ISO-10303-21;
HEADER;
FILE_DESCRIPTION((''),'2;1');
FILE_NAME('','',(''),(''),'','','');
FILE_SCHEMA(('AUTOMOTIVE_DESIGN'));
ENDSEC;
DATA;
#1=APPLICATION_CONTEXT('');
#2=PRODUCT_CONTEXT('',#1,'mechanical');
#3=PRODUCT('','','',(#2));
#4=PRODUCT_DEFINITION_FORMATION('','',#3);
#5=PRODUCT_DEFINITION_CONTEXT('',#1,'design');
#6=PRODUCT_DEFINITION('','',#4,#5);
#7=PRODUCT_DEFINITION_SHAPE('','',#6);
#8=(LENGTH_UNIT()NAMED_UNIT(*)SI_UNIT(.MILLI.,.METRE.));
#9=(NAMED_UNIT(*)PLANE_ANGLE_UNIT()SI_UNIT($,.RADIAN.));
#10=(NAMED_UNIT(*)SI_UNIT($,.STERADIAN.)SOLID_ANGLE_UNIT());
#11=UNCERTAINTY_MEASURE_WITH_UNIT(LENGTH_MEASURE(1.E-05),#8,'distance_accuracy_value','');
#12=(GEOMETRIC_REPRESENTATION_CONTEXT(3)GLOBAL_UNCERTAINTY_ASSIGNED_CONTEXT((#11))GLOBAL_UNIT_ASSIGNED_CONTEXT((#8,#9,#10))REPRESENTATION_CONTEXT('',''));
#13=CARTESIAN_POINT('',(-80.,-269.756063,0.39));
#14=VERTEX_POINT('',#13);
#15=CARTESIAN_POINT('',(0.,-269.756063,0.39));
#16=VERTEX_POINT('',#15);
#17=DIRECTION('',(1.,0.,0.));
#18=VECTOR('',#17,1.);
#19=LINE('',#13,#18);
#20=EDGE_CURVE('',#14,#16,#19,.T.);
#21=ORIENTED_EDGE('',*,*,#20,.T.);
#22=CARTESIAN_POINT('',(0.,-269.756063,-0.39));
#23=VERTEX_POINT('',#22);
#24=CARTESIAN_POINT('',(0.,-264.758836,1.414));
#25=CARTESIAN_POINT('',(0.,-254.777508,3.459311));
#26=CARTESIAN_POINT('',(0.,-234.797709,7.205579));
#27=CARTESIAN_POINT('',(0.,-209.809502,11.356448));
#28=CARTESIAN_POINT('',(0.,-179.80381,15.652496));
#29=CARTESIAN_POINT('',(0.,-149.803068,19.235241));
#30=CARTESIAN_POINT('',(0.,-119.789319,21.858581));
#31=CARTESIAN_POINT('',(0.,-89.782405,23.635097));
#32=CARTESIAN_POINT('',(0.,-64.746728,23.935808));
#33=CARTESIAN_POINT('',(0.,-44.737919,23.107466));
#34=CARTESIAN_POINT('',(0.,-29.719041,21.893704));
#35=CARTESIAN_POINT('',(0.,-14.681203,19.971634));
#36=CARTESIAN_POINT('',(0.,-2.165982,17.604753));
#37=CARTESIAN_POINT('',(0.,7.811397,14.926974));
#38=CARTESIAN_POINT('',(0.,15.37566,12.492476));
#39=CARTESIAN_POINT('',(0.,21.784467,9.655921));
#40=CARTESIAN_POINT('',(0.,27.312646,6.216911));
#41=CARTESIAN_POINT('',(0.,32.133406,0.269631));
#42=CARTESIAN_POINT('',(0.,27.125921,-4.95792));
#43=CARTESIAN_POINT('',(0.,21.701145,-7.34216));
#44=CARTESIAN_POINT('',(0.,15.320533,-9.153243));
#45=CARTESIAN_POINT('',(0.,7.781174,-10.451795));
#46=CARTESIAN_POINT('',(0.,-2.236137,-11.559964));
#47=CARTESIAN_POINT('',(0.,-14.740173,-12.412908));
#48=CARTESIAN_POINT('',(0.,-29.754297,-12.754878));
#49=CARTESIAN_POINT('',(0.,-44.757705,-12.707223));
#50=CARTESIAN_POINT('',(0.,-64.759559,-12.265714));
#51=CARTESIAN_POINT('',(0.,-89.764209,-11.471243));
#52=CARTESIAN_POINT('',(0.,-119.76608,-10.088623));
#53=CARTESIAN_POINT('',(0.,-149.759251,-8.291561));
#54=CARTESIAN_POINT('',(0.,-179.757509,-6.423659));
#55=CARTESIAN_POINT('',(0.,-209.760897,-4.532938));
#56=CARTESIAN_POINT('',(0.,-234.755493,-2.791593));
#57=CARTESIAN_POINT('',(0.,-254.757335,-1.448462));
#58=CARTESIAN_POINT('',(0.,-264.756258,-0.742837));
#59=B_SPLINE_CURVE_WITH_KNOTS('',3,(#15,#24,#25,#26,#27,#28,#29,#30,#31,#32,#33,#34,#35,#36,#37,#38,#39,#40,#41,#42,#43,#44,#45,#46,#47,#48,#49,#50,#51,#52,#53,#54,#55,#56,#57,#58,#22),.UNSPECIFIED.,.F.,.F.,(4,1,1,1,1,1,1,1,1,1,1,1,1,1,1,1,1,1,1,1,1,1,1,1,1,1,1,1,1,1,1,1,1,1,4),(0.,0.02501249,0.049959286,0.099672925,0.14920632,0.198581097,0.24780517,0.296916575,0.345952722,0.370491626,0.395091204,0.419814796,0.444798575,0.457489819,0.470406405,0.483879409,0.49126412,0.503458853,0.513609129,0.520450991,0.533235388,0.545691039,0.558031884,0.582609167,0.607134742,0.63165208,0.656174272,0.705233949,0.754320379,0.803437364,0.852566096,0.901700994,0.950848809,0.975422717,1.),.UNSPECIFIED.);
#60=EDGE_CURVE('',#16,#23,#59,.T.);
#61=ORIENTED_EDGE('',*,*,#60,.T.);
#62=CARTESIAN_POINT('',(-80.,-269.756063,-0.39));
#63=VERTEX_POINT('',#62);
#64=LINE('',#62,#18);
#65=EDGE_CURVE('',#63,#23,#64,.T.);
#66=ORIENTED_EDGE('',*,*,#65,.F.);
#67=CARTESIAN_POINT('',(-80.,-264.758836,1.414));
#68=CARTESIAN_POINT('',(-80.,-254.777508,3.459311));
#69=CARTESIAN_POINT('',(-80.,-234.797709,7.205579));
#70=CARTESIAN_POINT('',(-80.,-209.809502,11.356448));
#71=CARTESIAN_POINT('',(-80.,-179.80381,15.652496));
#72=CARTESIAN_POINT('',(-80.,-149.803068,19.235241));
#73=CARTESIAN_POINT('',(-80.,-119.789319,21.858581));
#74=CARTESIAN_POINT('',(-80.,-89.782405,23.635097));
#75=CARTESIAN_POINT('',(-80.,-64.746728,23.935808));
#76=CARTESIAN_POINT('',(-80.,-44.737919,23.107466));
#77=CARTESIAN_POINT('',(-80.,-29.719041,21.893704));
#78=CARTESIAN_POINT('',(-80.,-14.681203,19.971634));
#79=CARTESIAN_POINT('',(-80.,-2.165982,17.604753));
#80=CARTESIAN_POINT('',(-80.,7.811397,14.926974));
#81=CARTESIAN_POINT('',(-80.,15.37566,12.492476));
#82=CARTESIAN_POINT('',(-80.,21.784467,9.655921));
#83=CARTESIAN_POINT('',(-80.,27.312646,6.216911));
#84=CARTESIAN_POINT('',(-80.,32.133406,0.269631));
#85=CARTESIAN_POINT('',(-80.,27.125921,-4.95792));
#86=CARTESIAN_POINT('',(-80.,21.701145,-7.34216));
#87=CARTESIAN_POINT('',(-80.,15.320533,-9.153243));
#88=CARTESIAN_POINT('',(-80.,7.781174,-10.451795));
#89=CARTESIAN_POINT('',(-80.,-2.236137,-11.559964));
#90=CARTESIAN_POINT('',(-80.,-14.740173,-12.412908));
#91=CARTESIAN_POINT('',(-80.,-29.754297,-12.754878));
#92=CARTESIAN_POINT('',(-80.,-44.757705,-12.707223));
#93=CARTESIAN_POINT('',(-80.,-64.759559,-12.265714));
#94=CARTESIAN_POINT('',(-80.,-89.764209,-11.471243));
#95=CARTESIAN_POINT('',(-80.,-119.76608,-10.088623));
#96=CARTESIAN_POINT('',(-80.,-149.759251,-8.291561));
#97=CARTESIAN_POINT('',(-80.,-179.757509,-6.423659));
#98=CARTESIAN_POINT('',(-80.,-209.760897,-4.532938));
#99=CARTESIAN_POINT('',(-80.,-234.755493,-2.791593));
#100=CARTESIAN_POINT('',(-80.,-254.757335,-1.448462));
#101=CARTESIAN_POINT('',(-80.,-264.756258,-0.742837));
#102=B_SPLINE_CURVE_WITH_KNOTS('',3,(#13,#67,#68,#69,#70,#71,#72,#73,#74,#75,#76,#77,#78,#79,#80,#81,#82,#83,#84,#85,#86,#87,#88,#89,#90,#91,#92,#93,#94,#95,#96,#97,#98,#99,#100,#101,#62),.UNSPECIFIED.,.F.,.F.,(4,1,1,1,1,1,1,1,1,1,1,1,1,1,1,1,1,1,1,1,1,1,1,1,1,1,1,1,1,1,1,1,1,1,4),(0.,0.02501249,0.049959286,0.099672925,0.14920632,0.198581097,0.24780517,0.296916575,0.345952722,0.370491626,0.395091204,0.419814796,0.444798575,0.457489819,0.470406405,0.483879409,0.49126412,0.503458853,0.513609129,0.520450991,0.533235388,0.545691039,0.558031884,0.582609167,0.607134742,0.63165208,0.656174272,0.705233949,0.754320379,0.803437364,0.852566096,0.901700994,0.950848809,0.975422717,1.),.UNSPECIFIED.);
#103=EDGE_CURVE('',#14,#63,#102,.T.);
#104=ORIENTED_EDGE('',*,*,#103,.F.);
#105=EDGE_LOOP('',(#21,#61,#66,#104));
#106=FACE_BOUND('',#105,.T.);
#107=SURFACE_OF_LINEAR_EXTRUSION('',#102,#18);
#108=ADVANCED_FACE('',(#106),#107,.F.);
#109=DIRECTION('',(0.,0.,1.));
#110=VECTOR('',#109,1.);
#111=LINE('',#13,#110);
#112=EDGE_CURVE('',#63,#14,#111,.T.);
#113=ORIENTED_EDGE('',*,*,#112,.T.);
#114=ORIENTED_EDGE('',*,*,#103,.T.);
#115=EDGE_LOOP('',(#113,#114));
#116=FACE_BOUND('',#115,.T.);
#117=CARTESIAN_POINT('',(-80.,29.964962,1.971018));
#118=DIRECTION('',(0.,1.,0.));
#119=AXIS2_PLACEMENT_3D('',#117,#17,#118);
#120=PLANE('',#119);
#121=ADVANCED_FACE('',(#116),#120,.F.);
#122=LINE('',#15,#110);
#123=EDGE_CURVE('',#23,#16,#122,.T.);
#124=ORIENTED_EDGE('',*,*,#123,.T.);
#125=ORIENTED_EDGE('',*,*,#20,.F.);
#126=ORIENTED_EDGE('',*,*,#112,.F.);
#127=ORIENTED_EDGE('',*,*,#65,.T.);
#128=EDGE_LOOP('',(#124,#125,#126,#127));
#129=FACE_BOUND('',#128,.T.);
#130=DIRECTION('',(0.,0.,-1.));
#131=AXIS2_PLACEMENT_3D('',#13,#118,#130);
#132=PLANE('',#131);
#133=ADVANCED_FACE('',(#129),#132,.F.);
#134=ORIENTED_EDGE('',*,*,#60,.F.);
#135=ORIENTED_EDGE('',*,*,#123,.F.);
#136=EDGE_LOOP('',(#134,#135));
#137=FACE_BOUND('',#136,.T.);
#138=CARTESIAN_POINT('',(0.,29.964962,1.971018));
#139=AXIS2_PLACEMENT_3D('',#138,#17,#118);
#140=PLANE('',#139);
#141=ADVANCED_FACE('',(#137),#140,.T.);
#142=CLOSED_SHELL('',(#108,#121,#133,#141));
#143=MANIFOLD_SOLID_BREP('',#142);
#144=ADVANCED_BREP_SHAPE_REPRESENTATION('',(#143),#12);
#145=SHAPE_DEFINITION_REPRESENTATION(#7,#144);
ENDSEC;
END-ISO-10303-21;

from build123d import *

# Parameters (mm, degrees)
BOSS_EXTRUDE1_DEPTH   = 80
BODY_MOVE_COPY1_ANGLE = 120


with BuildPart() as part:
    # Sketch1 → Boss-Extrude1 (new body)
    with BuildSketch(Plane.XY):
        with BuildLine():
            Line((269.75606318, 0.39), (269.75606318, -0.39))
            add(Edge.make_bspline(
                [(269.75606318, 0.39), (264.758836378, 1.414000082), (254.777507596, 3.45931079), (234.797708888, 7.205579334), (209.809502227, 11.35644797), (179.803810027, 15.652495779), (149.803067524, 19.235240906), (119.789318532, 21.858580513), (89.782404697, 23.635097209), (64.746727737, 23.935808407), (44.737918653, 23.107465721), (29.719041415, 21.893704318), (14.681203014, 19.97163417), (2.165982385, 17.604753461), (-7.811397109, 14.926973956), (-15.375659845, 12.492476274), (-21.78446685, 9.655920822), (-27.312645833, 6.216911108), (-32.133405509, 0.269631354), (-27.125920641, -4.957920198), (-21.701145045, -7.342160266), (-15.320533432, -9.153243486), (-7.781174347, -10.451795047), (2.236136575, -11.559964158), (14.740172541, -12.412907572), (29.754296801, -12.754877712), (44.757705477, -12.707223024), (64.759558695, -12.26571363), (89.764209215, -11.471242967), (119.766079926, -10.088623246), (149.759251014, -8.291561108), (179.757509222, -6.423658887), (209.760896614, -4.532938454), (234.755492949, -2.791593222), (254.757335305, -1.448461772), (264.756258336, -0.742836743), (269.75606318, -0.39)],
                knots=[0, 0, 0, 0, 0.02501249, 0.049959286, 0.099672925, 0.14920632, 0.198581097, 0.24780517, 0.296916575, 0.345952722, 0.370491626, 0.395091204, 0.419814796, 0.444798575, 0.457489819, 0.470406405, 0.483879409, 0.49126412, 0.503458853, 0.513609129, 0.520450991, 0.533235388, 0.545691039, 0.558031884, 0.582609167, 0.607134742, 0.63165208, 0.656174272, 0.705233949, 0.754320379, 0.803437364, 0.852566096, 0.901700994, 0.950848809, 0.975422717, 1, 1, 1, 1], degree=3))
        make_face()
    extrude(amount=BOSS_EXTRUDE1_DEPTH)


with BuildPart() as part_1:
    # Body-Move/Copy1: moved
    add(part.part.rotate(Axis((0, 0, 0), (0.577350269, -0.577350269, -0.577350269)), BODY_MOVE_COPY1_ANGLE))


solid = part_1.part
